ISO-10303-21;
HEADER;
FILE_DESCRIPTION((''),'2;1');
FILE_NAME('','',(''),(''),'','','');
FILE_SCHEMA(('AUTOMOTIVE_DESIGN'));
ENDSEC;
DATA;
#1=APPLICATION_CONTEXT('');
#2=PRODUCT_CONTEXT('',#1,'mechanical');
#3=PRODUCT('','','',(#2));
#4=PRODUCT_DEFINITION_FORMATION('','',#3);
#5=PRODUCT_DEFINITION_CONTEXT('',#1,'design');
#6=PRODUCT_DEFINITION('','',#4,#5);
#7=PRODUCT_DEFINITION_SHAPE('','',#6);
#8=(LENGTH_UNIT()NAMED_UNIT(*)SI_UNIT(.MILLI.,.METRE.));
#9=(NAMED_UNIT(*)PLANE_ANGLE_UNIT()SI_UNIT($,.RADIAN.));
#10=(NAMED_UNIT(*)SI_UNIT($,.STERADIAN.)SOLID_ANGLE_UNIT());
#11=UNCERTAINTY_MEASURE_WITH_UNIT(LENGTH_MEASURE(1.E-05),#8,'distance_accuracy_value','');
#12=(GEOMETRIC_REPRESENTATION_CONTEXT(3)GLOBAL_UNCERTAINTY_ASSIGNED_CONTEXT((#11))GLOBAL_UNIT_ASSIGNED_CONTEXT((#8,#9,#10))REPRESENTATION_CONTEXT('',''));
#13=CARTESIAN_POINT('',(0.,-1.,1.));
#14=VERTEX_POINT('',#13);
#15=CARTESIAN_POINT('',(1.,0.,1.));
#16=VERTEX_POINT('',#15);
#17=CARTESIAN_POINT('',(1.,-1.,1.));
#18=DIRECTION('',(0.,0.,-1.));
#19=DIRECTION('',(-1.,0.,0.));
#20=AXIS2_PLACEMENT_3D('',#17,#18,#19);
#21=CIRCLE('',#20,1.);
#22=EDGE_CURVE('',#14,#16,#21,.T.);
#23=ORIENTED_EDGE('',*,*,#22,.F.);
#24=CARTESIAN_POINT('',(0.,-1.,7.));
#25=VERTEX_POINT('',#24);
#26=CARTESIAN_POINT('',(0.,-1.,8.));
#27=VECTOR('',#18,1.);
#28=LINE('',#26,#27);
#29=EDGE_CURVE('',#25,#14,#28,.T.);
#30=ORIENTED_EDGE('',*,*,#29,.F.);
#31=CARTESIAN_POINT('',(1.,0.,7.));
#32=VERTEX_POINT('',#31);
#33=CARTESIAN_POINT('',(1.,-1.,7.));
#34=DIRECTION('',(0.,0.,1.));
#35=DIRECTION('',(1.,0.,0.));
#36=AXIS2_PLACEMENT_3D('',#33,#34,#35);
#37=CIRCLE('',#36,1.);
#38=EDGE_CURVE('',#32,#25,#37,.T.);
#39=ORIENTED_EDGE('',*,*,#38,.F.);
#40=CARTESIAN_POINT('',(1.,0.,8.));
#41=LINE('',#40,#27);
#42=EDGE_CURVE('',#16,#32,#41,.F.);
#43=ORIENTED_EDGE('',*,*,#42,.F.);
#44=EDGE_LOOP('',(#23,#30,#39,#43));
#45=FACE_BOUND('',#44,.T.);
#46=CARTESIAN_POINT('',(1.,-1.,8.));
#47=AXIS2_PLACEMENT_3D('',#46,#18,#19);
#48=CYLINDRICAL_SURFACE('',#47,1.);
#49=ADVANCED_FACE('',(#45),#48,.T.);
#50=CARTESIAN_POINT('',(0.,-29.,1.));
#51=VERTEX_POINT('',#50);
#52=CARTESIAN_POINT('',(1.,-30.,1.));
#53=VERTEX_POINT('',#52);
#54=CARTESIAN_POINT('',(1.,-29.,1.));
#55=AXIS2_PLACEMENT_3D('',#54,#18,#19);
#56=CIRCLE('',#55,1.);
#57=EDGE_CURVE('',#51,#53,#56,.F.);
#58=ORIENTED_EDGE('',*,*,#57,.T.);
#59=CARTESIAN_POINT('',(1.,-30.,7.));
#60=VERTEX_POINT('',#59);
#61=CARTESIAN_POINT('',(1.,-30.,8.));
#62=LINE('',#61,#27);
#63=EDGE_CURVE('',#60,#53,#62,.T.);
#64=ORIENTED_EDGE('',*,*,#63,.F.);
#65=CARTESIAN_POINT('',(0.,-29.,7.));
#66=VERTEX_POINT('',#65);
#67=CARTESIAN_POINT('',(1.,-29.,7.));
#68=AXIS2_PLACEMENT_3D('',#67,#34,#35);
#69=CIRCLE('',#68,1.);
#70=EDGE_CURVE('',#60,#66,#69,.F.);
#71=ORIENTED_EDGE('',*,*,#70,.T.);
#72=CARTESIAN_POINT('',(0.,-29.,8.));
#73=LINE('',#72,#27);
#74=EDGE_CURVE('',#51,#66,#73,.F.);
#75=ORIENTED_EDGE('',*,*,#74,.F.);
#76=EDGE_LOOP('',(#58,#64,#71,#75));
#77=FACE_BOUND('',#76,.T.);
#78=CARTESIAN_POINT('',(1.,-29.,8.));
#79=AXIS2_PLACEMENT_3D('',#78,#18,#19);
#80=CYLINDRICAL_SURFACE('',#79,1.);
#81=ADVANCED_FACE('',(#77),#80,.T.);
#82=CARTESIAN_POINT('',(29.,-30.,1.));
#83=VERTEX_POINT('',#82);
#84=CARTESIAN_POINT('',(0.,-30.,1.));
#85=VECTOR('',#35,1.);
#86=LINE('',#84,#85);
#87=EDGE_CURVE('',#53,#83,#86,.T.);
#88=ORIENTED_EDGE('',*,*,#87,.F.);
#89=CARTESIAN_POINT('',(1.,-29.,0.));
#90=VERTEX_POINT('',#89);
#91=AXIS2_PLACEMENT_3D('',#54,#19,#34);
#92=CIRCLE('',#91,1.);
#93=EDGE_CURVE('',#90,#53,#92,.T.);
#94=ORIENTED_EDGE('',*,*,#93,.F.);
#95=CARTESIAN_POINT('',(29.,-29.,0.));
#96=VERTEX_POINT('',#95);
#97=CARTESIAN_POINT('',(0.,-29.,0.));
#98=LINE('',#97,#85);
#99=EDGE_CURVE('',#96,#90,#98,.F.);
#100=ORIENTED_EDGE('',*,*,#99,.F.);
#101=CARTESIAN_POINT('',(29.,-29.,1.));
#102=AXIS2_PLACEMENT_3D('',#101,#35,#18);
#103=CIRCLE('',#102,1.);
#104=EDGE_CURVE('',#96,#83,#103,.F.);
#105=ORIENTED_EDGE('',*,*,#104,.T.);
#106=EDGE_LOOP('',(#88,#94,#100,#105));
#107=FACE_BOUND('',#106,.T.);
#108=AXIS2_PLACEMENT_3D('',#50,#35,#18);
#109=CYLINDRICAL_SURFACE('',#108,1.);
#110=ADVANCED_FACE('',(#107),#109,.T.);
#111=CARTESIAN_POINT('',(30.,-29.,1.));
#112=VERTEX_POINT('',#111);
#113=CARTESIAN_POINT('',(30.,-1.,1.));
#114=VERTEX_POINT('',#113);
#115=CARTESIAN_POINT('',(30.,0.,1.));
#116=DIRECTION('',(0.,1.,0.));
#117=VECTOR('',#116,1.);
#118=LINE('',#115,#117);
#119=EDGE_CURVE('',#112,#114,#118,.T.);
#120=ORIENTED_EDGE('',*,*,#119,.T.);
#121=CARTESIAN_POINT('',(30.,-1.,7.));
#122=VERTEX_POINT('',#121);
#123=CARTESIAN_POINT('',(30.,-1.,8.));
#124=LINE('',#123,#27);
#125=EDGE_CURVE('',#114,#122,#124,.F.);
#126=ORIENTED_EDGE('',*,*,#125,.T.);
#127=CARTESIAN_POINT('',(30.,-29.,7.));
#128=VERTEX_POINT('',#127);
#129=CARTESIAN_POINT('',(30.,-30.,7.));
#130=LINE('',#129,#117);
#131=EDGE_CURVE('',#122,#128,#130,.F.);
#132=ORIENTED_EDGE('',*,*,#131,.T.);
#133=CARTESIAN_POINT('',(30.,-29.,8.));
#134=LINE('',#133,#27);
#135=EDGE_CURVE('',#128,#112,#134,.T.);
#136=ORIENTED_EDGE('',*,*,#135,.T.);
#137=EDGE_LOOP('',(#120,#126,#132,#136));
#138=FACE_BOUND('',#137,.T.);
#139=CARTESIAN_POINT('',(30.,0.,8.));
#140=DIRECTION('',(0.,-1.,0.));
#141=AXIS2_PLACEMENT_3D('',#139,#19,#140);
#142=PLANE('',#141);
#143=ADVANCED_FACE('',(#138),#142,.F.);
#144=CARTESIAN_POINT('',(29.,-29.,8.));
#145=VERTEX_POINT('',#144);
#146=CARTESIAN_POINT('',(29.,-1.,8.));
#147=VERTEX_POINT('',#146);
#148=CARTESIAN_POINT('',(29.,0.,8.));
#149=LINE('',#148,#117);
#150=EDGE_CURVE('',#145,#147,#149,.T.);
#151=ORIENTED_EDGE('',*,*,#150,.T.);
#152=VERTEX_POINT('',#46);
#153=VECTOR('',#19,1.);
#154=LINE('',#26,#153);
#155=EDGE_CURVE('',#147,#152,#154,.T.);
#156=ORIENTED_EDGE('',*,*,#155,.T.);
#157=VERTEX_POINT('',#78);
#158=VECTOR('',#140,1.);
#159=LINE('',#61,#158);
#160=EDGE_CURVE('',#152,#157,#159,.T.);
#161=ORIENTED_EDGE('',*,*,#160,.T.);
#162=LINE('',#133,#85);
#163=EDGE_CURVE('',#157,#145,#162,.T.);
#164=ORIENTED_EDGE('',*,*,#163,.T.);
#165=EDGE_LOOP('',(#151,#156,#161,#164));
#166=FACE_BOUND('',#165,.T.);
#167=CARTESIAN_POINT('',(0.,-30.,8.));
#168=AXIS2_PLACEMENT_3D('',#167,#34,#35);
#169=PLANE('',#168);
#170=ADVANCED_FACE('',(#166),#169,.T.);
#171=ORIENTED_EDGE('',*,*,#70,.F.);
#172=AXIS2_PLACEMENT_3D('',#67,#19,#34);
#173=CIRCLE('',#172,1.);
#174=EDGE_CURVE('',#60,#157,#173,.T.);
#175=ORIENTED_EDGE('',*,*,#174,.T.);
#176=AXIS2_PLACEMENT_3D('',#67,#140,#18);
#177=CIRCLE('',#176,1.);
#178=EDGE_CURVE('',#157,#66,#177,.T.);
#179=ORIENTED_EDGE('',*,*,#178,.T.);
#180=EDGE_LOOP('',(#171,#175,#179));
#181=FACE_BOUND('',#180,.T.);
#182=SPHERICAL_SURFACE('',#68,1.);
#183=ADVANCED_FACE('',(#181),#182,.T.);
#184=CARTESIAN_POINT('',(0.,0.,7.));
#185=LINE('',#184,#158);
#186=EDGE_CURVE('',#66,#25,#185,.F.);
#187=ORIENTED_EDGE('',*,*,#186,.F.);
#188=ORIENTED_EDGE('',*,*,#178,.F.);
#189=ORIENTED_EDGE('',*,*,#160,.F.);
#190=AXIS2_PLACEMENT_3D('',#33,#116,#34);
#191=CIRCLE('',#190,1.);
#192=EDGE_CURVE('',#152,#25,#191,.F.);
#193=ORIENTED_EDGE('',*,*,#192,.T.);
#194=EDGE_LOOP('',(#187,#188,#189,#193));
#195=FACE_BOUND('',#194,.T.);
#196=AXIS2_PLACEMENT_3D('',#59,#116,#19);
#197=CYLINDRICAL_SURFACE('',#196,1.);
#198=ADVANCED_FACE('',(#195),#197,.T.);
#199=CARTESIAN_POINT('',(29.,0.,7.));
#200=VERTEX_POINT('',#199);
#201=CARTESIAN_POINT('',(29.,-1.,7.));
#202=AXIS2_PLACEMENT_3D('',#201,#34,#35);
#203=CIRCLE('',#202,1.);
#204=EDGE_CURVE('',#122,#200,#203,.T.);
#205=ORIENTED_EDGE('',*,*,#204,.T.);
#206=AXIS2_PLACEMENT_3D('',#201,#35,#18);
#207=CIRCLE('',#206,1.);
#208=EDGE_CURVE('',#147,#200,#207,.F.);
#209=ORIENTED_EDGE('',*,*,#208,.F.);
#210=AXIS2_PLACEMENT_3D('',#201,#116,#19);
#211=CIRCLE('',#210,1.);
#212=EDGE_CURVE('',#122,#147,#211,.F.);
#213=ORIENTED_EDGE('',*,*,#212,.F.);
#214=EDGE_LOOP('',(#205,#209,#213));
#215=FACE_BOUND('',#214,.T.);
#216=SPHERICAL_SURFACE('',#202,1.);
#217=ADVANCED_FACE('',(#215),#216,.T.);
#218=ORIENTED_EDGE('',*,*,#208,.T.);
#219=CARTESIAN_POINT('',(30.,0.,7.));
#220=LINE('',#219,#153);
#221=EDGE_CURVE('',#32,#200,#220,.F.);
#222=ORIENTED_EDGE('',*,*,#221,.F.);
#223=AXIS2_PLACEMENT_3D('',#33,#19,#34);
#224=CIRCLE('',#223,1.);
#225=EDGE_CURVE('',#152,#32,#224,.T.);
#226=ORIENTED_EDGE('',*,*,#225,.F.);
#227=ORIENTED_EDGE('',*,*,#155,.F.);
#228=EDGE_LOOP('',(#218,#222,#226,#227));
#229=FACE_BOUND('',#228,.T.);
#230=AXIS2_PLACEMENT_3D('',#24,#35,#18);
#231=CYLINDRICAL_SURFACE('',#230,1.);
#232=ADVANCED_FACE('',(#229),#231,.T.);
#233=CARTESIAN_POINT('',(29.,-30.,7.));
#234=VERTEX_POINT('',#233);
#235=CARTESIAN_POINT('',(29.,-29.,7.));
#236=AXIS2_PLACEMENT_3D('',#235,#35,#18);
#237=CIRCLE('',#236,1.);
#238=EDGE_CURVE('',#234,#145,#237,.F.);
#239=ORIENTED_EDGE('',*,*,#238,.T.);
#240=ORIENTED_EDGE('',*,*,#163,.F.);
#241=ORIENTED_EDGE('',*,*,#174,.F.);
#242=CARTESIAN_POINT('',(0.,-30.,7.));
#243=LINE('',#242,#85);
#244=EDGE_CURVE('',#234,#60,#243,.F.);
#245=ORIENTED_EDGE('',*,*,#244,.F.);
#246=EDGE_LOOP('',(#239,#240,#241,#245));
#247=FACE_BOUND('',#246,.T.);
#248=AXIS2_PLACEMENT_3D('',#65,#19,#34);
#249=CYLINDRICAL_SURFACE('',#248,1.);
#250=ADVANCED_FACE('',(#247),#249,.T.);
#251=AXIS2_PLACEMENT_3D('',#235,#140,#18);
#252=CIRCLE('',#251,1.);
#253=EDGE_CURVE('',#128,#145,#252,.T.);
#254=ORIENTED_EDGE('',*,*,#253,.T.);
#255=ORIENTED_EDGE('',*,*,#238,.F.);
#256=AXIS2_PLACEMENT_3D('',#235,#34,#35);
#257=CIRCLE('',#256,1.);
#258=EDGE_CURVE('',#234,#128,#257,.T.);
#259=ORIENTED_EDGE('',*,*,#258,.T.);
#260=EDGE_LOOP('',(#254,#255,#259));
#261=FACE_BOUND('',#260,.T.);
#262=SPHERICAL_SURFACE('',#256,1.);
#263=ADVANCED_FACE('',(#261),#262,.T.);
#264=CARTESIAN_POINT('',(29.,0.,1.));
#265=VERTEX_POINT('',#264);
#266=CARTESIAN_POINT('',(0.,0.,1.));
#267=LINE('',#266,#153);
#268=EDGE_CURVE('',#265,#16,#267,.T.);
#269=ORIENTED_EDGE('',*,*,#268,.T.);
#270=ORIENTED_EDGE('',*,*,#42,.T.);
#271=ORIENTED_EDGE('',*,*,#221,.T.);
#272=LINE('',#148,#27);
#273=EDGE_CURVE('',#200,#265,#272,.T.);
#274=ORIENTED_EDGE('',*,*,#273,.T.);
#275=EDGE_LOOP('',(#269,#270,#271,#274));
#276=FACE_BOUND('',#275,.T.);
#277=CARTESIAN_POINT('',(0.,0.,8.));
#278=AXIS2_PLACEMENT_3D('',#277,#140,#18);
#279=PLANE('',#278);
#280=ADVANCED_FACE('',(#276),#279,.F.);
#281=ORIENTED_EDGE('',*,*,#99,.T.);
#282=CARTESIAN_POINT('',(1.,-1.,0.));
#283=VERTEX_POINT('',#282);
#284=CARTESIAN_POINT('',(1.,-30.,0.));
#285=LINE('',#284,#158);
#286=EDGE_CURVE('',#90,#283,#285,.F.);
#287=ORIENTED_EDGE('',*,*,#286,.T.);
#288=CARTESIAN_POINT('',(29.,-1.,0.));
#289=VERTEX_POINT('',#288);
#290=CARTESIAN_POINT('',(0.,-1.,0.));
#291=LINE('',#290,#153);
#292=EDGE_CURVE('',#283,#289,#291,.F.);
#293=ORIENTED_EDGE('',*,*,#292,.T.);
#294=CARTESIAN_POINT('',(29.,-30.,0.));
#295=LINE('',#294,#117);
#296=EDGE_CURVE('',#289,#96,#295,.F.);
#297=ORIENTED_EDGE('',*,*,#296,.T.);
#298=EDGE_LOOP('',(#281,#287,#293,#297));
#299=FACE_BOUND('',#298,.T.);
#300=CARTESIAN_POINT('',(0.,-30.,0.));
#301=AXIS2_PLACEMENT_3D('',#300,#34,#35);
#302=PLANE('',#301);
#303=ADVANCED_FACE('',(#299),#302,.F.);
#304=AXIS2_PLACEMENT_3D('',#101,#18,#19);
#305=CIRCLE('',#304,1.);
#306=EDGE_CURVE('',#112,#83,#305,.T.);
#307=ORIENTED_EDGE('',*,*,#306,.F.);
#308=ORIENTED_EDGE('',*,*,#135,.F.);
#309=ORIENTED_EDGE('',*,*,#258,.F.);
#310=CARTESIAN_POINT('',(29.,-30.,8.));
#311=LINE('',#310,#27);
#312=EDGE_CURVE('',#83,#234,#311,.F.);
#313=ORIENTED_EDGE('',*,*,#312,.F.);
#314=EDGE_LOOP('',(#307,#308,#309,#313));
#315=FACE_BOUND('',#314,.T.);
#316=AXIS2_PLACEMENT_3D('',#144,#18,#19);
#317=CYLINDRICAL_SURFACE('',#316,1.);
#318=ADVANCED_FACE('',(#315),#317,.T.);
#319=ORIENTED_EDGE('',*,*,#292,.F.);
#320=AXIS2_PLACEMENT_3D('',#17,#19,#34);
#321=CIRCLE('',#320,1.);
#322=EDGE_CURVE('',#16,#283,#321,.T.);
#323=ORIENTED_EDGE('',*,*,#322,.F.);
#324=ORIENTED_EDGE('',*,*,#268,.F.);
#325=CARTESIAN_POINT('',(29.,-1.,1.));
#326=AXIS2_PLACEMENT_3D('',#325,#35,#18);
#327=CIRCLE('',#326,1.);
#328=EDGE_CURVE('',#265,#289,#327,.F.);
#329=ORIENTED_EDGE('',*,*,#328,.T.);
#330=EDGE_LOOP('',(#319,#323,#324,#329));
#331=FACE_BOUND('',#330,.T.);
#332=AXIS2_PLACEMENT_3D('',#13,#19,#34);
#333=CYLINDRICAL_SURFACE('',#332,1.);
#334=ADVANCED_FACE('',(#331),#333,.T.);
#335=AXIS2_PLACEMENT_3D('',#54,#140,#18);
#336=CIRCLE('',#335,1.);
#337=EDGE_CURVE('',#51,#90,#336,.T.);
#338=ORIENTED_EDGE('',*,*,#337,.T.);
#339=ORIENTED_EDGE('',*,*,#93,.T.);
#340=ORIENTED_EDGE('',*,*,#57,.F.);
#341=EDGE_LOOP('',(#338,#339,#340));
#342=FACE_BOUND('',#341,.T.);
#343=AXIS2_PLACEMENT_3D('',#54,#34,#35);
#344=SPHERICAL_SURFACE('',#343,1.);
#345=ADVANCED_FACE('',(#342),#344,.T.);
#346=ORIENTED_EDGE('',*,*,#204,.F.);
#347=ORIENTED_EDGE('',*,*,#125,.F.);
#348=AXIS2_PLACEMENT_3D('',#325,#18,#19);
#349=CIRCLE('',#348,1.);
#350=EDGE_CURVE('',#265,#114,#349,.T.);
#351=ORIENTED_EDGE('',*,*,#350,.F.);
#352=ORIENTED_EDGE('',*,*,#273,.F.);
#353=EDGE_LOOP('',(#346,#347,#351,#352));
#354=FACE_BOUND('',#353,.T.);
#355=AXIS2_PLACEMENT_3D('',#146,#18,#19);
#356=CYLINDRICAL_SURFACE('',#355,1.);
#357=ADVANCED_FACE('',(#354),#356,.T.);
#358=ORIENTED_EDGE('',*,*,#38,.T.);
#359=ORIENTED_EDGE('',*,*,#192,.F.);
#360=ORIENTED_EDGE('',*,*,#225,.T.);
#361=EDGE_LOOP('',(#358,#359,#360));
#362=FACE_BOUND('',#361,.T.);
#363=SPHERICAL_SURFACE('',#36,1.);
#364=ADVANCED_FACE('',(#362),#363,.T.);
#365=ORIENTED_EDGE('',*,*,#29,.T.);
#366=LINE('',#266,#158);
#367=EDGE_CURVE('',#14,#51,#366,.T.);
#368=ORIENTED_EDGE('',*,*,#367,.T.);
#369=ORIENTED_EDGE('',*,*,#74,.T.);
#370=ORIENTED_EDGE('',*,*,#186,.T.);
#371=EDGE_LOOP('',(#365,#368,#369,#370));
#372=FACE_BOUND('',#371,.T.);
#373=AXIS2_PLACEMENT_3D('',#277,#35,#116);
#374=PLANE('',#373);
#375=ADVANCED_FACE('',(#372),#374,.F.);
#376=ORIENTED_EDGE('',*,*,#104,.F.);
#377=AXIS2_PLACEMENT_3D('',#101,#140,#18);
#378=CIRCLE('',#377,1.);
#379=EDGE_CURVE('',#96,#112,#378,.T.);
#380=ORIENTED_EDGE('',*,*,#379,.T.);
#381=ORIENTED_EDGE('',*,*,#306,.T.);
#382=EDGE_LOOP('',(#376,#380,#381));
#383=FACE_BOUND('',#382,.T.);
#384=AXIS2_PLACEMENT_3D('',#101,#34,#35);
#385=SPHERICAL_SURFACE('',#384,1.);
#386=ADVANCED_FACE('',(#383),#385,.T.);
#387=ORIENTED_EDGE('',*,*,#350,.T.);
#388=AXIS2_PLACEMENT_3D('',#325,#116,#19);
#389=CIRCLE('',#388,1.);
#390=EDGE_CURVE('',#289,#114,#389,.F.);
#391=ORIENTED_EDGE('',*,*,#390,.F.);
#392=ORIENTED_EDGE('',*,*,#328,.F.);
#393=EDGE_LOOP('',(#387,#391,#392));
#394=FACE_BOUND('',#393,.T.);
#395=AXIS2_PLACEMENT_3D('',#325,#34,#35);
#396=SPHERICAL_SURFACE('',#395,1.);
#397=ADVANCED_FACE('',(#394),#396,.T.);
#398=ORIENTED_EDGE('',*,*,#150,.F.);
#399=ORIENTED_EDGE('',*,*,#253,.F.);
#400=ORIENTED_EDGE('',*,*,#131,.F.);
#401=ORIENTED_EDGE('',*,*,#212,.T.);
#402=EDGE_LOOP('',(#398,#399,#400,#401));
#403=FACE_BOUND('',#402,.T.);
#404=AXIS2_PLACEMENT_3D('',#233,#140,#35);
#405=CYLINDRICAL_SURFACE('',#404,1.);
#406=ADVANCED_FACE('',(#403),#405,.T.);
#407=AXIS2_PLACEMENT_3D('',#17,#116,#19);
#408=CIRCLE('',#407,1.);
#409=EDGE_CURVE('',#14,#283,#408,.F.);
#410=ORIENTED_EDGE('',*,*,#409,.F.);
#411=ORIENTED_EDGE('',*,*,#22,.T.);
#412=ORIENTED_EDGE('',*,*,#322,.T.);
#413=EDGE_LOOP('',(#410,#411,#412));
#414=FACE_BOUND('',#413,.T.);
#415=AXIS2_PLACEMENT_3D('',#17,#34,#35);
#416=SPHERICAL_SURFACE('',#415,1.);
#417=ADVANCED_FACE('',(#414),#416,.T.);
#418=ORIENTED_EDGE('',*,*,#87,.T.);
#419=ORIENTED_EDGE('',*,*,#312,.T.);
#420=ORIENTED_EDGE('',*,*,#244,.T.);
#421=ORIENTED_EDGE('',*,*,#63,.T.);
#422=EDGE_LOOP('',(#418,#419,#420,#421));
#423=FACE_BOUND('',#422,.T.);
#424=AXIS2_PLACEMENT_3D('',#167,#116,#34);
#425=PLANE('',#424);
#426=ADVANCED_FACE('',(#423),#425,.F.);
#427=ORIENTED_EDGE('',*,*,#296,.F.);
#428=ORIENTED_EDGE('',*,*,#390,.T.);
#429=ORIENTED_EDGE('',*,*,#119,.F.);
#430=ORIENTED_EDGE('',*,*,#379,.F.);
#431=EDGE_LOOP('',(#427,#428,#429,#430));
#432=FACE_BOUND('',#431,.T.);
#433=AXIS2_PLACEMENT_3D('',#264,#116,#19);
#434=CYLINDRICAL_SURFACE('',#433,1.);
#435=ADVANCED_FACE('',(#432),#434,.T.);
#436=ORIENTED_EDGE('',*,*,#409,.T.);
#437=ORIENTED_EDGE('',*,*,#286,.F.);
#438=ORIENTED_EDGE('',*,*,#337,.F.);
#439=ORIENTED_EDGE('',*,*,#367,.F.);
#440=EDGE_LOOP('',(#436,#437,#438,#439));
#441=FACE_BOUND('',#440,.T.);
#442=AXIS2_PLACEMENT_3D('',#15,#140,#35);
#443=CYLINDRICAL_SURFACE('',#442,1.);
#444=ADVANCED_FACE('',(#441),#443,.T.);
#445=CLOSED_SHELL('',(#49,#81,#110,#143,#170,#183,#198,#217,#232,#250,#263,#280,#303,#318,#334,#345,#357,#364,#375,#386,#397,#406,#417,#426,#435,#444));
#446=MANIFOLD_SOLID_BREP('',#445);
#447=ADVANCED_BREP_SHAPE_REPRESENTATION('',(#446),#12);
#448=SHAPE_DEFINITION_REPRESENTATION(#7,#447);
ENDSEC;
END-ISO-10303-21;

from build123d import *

# Parameters (mm, degrees)
SKETCH2_W      = 30
SKETCH2_H      = 30
EXTRUDE1_DEPTH = 8
FILLET1_R      = 1


with BuildPart() as part:
    # Sketch2 → Extrude1 (new body)
    with BuildSketch(Plane.XY):
        with Locations((15, -15)):
            Rectangle(SKETCH2_W, SKETCH2_H)
    extrude(amount=EXTRUDE1_DEPTH)

    # Fillet1
    fillet1_edges = [part.edges().sort_by_distance(p)[0] for p in [
        (30, -15, 8),
        (15, 0, 8),
        (0, -15, 8),
        (15, 0, 0),
        (30, -15, 0),
        (15, -30, 0),
        (0, -15, 0),
        (15, -30, 8),
        (0, 0, 4),
        (30, 0, 4),
        (30, -30, 4),
        (0, -30, 4),
    ]]
    fillet(fillet1_edges, radius=FILLET1_R)


solid = part.part
